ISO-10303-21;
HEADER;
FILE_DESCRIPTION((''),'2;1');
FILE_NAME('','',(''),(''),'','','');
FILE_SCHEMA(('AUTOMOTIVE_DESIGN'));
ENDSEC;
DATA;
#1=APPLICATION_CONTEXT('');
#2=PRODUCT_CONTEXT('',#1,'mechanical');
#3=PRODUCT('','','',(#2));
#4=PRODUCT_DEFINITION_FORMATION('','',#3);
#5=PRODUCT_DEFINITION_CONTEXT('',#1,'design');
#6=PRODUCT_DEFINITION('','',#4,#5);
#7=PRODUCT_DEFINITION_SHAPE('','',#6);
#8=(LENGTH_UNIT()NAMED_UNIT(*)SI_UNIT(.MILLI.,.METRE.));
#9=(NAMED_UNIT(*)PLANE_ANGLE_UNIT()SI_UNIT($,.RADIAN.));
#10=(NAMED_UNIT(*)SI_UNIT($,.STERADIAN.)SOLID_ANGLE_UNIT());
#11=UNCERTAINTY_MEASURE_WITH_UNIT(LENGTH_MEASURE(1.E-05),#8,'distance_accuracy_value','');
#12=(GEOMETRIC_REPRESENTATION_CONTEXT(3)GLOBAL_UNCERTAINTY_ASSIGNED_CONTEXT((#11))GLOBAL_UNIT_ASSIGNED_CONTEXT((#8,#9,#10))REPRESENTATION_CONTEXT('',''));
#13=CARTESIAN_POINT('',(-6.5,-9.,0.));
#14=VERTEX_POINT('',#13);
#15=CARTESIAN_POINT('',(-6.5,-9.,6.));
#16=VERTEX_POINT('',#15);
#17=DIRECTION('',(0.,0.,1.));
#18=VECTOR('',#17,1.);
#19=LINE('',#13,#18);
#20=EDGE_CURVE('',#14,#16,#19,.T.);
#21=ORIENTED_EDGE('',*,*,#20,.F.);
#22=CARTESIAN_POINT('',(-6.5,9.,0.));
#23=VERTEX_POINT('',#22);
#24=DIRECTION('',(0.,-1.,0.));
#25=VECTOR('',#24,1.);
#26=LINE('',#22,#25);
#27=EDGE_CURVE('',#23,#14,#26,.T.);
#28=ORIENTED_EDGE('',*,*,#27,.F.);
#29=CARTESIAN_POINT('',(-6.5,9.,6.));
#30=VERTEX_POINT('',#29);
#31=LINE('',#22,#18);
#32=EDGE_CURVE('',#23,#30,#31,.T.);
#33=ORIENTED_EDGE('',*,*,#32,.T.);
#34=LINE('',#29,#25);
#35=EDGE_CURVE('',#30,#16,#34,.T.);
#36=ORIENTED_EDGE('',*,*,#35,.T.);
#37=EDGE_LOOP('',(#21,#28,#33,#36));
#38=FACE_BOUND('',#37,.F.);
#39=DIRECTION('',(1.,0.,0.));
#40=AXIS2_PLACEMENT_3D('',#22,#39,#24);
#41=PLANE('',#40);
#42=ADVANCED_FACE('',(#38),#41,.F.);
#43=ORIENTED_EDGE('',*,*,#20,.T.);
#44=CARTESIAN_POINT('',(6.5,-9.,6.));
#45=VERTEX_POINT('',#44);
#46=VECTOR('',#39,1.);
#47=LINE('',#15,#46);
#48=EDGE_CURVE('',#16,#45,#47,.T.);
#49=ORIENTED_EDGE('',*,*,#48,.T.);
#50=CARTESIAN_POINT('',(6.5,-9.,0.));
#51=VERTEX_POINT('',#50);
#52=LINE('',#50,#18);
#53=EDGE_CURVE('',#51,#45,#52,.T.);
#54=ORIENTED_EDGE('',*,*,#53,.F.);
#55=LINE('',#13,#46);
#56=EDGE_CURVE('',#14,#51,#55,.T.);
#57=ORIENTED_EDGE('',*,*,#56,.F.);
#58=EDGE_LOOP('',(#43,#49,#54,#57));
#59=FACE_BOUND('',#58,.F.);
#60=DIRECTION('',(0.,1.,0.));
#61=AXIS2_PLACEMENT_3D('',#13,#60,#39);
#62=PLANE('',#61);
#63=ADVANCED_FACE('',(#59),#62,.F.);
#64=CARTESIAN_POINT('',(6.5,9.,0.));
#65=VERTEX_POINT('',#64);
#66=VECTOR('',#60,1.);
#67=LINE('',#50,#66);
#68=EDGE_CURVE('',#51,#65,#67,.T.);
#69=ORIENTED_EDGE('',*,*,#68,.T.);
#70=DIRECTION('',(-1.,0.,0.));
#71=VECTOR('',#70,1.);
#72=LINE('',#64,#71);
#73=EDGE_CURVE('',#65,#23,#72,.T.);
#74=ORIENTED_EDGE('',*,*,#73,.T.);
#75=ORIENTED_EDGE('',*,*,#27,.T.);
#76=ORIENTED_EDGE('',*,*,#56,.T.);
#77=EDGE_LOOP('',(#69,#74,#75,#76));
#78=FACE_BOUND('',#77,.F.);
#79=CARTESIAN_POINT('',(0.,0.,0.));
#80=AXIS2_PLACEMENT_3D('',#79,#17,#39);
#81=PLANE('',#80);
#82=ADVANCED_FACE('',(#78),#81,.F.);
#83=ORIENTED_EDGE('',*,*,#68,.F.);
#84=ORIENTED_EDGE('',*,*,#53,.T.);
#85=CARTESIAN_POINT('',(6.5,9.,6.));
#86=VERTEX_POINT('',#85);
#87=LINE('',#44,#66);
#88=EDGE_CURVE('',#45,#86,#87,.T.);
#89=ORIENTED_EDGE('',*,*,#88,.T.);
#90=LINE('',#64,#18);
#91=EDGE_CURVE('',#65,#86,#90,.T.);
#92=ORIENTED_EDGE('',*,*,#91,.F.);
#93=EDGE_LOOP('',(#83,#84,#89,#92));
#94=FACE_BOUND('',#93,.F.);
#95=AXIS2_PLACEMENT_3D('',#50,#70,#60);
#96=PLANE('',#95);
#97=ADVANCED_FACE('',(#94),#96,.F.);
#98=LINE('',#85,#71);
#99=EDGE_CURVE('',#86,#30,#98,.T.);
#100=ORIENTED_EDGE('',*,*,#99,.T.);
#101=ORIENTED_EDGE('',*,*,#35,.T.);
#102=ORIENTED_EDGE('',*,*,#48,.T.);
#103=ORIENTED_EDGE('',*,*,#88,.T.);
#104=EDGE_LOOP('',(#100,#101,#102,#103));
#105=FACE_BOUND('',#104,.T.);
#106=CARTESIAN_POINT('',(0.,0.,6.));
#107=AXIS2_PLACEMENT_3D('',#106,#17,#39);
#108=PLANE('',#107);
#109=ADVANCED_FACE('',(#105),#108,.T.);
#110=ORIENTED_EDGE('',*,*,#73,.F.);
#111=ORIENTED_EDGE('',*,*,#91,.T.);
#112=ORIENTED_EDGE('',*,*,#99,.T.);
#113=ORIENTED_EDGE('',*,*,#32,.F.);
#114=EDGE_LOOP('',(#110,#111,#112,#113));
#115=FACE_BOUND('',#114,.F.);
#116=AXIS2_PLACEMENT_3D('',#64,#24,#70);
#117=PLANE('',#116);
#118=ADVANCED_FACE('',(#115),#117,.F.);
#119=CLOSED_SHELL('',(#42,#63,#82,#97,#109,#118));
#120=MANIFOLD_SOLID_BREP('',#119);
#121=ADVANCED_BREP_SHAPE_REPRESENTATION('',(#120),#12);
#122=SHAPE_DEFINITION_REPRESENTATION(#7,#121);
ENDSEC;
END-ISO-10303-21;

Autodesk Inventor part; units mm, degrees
ref_plane "YZ Plane" through (0, 0, 0) normal (1, 0, 0) x (0, 1, 0)
ref_plane "XZ Plane" through (0, 0, 0) normal (0, 1, 0) x (-1, 0, 0)
ref_plane "XY Plane" through (0, 0, 0) normal (0, 0, 1) x (1, 0, 0)
sketch "Sketch1" plane through (0, 0, 0) normal (0, 0, 1) x (1, 0, 0)
  line L0 (-6.5, -9) -> (6.5, -9)
  line L1 (6.5, -9) -> (6.5, 9)
  line L2 (6.5, 9) -> (-6.5, 9)
  line L3 (-6.5, 9) -> (-6.5, -9)
  point P0 (0, 0)
  point P1 (6.5, 0)
  point P2 (0, 9)
  dimension "d0" = 18
  dimension "d1" = 13
extrude "Extrusion1" add sketch "Sketch1" along normal blind 6
properties part number "Regulator1"
